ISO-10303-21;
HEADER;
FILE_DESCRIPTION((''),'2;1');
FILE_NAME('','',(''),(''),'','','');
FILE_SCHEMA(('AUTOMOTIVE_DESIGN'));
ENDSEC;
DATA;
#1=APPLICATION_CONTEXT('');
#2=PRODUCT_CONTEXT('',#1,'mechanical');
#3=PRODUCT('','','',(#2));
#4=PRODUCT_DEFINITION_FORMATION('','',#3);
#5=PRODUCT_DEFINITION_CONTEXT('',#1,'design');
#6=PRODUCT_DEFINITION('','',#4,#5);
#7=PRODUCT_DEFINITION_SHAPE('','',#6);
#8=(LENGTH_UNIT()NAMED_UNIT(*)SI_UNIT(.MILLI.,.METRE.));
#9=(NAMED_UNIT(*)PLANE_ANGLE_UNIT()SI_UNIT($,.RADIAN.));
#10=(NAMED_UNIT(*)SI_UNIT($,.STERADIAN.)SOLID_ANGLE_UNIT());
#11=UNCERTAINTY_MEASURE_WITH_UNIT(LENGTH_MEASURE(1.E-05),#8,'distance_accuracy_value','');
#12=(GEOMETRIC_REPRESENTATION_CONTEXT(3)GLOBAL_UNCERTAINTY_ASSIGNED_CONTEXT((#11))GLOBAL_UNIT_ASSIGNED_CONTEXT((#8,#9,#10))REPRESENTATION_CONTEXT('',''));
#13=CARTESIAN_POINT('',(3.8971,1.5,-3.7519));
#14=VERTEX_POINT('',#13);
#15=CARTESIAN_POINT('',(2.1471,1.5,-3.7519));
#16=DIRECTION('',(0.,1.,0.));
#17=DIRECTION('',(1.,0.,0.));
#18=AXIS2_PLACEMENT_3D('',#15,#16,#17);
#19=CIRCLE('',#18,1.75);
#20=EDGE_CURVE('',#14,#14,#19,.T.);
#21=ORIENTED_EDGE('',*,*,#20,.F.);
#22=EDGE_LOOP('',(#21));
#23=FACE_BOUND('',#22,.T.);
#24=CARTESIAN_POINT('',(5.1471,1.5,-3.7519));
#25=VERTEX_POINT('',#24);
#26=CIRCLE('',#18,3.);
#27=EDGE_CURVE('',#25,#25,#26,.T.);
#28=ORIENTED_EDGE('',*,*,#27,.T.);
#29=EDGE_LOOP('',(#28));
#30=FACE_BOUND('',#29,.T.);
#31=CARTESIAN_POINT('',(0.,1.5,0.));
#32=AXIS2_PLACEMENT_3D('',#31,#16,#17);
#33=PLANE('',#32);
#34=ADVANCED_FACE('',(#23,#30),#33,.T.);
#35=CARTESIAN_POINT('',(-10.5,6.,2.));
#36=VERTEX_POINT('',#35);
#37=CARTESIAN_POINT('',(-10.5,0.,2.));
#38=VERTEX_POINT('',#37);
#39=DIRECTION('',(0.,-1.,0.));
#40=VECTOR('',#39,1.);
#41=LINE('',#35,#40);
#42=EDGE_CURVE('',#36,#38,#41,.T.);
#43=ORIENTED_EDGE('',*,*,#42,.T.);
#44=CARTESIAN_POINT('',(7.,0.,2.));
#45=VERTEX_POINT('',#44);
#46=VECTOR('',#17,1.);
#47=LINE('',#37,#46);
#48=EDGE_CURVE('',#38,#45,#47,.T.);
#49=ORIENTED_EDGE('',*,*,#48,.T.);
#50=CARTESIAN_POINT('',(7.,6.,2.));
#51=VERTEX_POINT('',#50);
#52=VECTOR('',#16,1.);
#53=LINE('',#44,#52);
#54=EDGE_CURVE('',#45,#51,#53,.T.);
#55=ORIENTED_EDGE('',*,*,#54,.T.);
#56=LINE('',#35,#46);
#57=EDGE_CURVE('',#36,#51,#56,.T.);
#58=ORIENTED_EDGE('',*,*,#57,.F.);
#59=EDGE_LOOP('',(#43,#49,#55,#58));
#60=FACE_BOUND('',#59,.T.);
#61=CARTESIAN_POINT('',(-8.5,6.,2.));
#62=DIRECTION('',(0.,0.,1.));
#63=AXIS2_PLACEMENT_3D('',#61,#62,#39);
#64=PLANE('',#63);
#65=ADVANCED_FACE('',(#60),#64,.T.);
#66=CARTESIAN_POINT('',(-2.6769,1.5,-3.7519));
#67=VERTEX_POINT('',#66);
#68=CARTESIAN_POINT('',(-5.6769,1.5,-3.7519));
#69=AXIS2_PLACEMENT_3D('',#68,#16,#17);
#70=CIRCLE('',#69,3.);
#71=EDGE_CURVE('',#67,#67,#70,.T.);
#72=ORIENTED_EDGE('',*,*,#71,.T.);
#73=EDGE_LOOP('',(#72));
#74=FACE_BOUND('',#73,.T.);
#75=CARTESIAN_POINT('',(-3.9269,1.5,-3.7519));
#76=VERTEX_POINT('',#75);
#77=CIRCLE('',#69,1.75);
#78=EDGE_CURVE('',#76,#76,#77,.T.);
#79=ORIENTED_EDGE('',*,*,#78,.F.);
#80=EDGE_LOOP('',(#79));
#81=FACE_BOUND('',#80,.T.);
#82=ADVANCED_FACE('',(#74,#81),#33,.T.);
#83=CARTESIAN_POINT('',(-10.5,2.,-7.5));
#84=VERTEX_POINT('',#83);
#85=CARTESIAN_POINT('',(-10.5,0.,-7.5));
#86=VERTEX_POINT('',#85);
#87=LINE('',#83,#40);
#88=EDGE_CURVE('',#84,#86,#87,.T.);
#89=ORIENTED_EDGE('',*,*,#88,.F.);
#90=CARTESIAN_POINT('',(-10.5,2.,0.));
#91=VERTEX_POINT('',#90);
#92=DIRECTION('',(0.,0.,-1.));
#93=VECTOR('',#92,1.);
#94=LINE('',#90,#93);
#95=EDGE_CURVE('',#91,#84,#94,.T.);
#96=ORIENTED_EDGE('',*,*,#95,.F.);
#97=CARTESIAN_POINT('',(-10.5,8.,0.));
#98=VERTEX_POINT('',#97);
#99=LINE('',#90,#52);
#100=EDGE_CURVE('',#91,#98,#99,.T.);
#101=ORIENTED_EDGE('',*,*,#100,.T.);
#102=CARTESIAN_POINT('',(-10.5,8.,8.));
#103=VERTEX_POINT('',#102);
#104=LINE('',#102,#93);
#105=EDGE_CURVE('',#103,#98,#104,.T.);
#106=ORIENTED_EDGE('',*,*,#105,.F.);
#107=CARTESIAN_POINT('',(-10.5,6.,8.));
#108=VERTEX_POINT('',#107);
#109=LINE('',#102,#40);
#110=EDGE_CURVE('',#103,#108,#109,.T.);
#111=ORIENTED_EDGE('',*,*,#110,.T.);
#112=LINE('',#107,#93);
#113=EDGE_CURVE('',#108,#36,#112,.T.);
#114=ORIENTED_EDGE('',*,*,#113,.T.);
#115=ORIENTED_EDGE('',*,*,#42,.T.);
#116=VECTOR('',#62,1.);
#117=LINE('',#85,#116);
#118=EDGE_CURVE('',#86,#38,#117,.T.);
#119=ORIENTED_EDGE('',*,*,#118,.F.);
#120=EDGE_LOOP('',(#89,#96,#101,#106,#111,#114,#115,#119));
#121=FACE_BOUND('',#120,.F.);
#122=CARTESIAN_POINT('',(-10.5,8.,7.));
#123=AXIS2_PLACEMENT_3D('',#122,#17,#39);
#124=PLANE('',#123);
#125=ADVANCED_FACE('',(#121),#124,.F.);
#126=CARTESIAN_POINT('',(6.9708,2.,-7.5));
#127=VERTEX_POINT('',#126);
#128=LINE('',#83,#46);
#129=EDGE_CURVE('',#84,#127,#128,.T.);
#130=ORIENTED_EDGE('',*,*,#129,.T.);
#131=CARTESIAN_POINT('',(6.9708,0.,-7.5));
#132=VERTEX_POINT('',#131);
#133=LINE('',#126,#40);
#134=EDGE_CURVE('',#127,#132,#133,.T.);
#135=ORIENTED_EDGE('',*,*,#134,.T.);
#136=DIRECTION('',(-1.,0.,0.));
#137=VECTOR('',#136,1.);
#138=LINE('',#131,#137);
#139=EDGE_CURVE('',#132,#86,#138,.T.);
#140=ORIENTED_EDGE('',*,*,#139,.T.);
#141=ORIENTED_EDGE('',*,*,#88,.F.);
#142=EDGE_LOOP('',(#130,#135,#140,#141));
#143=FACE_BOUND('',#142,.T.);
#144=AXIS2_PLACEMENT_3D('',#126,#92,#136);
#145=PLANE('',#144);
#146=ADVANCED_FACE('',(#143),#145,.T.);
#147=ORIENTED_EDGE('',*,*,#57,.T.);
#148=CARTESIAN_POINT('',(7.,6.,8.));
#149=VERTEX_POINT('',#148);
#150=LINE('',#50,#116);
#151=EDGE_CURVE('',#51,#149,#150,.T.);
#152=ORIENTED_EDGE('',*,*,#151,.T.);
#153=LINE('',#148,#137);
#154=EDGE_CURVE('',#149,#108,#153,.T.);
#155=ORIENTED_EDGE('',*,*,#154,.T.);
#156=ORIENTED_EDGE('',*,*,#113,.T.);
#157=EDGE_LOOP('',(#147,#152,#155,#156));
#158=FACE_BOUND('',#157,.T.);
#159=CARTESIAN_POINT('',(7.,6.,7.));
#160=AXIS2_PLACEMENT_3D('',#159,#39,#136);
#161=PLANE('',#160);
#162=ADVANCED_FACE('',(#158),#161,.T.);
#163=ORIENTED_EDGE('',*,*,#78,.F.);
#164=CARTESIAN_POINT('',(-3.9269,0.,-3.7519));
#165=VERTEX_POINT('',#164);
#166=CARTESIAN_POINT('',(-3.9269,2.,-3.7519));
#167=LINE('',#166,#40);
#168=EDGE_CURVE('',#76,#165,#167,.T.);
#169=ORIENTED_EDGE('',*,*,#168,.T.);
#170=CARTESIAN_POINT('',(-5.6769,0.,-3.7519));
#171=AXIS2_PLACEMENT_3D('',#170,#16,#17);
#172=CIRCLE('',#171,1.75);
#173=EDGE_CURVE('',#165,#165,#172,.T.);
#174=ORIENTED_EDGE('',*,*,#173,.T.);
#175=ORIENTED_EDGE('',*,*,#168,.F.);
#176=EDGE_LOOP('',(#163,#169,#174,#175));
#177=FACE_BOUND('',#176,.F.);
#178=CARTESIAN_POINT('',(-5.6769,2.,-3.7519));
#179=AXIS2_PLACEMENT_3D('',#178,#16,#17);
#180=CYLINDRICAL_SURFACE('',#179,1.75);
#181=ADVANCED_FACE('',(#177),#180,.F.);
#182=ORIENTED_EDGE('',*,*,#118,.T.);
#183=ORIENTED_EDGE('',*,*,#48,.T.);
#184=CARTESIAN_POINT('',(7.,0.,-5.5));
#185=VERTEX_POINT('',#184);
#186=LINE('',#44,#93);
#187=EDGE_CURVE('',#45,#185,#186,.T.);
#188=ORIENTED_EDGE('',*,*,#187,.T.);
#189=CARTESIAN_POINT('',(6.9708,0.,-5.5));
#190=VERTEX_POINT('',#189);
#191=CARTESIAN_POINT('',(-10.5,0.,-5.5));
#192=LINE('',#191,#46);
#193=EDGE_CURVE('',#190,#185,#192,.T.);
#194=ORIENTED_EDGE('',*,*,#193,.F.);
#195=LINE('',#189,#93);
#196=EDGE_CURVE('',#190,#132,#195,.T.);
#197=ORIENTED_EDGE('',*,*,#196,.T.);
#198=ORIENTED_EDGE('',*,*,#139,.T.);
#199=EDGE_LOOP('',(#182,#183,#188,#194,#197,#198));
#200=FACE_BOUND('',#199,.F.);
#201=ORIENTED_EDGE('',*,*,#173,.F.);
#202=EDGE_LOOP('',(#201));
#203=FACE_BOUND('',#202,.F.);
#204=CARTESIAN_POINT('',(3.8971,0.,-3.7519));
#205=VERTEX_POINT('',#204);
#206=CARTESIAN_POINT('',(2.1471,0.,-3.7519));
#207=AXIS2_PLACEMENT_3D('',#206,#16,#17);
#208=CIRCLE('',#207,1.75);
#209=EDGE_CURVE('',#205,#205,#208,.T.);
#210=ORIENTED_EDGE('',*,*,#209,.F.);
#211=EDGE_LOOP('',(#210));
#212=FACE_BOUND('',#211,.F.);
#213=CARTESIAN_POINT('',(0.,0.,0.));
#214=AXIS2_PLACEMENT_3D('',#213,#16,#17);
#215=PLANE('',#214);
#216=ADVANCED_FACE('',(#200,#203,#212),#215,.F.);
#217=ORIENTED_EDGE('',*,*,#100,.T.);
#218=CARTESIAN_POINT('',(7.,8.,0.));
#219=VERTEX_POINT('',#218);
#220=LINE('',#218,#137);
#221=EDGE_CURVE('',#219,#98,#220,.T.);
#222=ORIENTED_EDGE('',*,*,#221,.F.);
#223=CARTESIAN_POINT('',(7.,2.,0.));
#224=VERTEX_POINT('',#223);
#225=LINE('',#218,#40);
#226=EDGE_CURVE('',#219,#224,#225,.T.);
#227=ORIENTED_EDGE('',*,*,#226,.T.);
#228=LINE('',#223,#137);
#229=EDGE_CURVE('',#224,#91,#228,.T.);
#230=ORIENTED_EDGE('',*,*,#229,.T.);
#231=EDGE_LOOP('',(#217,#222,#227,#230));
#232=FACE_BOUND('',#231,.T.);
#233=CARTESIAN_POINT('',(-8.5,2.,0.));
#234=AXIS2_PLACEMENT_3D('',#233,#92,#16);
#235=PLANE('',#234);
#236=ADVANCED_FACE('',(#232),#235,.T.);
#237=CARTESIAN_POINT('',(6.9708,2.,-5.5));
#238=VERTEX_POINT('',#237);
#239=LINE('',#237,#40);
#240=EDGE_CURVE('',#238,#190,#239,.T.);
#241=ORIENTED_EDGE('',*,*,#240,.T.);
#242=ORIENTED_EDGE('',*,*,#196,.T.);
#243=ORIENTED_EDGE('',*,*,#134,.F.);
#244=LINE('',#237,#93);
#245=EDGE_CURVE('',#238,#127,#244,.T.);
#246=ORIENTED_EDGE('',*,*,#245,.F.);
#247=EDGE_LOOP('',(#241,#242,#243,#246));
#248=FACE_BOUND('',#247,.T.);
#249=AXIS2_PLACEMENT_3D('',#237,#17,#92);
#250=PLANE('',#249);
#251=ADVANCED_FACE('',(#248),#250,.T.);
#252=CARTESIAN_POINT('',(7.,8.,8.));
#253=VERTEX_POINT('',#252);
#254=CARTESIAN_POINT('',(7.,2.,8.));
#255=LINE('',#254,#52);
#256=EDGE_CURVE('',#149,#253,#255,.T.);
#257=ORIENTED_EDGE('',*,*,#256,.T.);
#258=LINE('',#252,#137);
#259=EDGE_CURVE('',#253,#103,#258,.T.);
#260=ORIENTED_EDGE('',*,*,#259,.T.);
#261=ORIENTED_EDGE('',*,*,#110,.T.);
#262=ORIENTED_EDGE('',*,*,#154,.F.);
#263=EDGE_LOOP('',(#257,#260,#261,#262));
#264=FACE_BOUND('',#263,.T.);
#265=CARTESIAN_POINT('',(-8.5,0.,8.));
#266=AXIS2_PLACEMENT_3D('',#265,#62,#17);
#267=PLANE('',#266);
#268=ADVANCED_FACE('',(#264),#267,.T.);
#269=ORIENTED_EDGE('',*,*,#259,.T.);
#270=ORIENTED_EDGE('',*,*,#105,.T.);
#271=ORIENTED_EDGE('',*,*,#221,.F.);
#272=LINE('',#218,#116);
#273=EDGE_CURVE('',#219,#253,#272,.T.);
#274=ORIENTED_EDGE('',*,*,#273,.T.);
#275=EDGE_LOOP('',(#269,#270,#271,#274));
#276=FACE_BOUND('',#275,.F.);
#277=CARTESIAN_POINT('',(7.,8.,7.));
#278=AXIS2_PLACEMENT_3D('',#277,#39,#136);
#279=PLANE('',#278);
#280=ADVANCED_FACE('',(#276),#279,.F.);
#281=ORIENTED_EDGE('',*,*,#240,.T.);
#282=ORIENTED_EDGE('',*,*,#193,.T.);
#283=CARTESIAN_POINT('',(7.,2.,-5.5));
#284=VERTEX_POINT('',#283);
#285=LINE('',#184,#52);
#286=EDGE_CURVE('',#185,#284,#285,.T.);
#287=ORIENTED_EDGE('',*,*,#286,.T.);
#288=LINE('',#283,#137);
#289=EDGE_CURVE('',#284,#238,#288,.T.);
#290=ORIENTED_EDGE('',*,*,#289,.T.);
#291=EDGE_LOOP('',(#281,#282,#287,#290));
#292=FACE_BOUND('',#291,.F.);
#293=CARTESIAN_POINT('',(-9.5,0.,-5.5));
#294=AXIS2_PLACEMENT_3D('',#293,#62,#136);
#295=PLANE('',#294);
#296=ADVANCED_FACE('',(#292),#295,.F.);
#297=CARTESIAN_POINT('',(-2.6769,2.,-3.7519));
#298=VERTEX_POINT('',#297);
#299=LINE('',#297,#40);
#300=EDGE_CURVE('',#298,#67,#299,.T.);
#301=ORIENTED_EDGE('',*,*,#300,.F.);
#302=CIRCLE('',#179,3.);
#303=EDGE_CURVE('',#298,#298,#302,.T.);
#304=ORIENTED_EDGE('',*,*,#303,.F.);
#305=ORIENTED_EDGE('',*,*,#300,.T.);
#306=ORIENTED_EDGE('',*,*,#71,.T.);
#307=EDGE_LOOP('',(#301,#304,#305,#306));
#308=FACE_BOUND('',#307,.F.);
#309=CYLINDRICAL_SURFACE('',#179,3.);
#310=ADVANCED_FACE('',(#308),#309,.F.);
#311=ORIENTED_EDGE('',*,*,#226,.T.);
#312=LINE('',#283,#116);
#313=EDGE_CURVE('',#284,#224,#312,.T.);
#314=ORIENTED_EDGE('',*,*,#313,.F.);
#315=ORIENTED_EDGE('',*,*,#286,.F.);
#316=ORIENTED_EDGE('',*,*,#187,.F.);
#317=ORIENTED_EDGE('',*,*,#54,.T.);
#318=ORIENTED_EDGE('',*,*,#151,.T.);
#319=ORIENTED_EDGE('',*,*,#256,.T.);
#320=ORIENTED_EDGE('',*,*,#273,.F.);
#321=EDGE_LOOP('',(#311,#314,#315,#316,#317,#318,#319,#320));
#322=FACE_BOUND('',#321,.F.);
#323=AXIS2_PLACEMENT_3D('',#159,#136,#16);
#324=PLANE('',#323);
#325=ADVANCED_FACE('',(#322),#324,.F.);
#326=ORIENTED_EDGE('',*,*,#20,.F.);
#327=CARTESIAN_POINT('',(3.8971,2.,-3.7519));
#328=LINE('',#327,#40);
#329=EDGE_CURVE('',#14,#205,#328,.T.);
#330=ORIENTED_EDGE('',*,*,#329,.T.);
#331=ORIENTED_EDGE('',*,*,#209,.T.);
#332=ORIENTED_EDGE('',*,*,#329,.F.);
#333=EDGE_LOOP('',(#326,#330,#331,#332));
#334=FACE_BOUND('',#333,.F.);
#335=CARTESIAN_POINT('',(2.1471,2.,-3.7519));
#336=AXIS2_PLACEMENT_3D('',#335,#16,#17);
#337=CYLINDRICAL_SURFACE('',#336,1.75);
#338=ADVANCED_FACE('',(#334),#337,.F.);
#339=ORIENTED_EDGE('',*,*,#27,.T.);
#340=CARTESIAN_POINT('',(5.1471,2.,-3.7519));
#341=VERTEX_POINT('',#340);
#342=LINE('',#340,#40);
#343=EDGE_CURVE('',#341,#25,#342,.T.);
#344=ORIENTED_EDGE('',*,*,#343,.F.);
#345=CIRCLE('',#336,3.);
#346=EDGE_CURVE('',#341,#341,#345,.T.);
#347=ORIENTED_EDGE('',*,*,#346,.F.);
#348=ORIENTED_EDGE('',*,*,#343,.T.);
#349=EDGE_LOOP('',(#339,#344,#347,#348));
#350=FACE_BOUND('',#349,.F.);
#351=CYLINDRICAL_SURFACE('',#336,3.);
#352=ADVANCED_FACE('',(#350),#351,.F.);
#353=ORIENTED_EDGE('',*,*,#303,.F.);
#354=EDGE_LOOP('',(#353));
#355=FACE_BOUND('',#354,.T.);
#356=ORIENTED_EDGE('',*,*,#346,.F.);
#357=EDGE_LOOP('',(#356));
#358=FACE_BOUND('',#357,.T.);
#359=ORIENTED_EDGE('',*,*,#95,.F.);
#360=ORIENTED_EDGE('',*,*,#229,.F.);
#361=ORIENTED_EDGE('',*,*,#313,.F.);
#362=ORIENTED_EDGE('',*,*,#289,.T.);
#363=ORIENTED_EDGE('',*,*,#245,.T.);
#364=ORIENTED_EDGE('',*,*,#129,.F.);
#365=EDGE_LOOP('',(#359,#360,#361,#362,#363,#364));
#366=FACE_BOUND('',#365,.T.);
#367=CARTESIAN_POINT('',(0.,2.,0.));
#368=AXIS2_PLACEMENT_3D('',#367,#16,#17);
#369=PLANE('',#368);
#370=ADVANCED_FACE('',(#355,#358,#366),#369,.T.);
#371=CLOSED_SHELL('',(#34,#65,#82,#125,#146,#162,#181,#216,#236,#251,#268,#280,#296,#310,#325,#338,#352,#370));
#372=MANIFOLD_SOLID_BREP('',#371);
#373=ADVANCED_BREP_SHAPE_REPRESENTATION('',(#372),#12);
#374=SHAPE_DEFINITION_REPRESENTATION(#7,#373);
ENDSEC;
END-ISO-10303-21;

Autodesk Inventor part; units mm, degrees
ref_plane "YZ Plane" through (0, 0, 0) normal (1, 0, 0) x (0, 1, 0)
ref_plane "XZ Plane" through (0, 0, 0) normal (0, 1, 0) x (-1, 0, 0)
ref_plane "XY Plane" through (0, 0, 0) normal (0, 0, 1) x (1, 0, 0)
sketch "Boceto1" plane through (0, 0, 0) normal (0, 1, 0) x (-1, 0, 0)
  line L0 (0, 0) -> (3.5, 0)
  line L1 (3.5, 0) -> (5.5, 0)
  line L2 (0, 0) -> (-2, 0)
  line L3 (-2, -5.5) -> (5.5, -5.5)
  line L4 (-2, 0) -> (-5, 0)
  line L5 (-5, -5.5) -> (-2, -5.5)
  line L6 (5.5, 0) -> (8.5, 0)
  line L7 (8.5, -5.5) -> (5.5, -5.5)
  line L8 (8.5, -5.5) -> (9.5, -5.5)
  line L9 (9.5, 0) -> (8.5, 0)
  line L10 (-5, -5.5) -> (-6, -5.5)
  line L11 (-6, 0) -> (-5, 0)
  line L12 (9.5, -5.5) -> (10.5, -5.5)
  line L13 (10.5, -5.5) -> (10.5, 0)
  line L14 (10.5, 0) -> (9.5, 0)
  line L15 (-6, -5.5) -> (-7, -5.5)
  line L16 (-7, -5.5) -> (-7, 0)
  line L17 (-7, 0) -> (-6, 0)
  dimension "d30" = 1
  dimension "d37" = 1
  dimension "d38" = 1
extrude "Extrusión3" add sketch "Boceto1" along normal blind 2
sketch "Boceto4" plane through (-8.5, 0, 0) normal (0, 0, 1) x (1, 0, 0)
  line L0 (15.5, 2) -> (-2, 2) projected
  line L1 (0, 2) -> (13.5, 2)
  line L2 (13.5, 2) -> (13.5, 0)
  line L3 (13.5, 0) -> (0, 0)
  line L4 (0, 0) -> (0, 2)
  point P0 (8.5, 0)
  point P1 (14.5, 2)
  point P2 (-1, 2)
extrude "Extrusión4" add sketch "Boceto4" along normal blind 2
sketch "Boceto5" plane through (0, 2, 0) normal (0, 1, 0) x (1, 0, 0)
  line L0 (-8.5, -2) -> (5, -2) projected
  line L1 (5, -2) -> (-8.5, -2)
  line L2 (-8.5, -2) -> (-8.5, 0)
  line L3 (-8.5, 0) -> (5, 0)
  line L4 (5, 0) -> (5, -2)
  point P0 (0, 0)
extrude "Extrusión5" add sketch "Boceto5" along normal blind 6
sketch "Boceto6" plane through (-8.5, 0, 2) normal (0, 0, 1) x (1, 0, 0)
  line L0 (0, 0) -> (13.5, 0) projected
  line L1 (13.5, 0) -> (13.5, 6)
  line L2 (13.5, 6) -> (0, 6)
  line L3 (0, 0) -> (0, 6)
  line L4 (0, 0) -> (13.5, 0)
  line L5 (0, 0) -> (0, 8) projected
  line L6 (0, 8) -> (13.5, 8)
  line L7 (13.5, 8) -> (13.5, 6)
  line L8 (13.5, 6) -> (0, 6)
  line L9 (0, 6) -> (0, 8)
  point P0 (8.5, 0)
extrude "Extrusión6" add sketch "Boceto6" along normal blind 5 contours L5 L6 L7 L2
sketch "Boceto8" plane through (5, 0, -5.5) normal (0, 0, -1) x (-1, 0, 0)
  line L0 (13.5, 0) -> (13.5, 6) projected
  line L1 (13.5, 2) -> (0, 2) projected
  line L2 (13.5, 0) -> (0, 0)
  line L3 (0, 0) -> (0, 2)
  line L4 (0, 2) -> (13.5, 2)
  line L5 (13.5, 2) -> (13.5, 0)
  point P0 (5, 0)
extrude "Extrusión8" add sketch "Boceto8" along normal blind 2
sketch "Boceto11" plane through (5, 0, 2) normal (1, 0, 0) x (0, 0, -1)
  line L0 (-5, 8) -> (2, 8)
  line L1 (2, 8) -> (2, 6)
  line L2 (-5, 6) -> (-5, 8)
  line L3 (0, 0) -> (0, 6) projected
  line L4 (2, 0) -> (2, 2) projected
  line L5 (2, 6) -> (2, 0)
  line L6 (2, 0) -> (0, 0)
  line L7 (0, 0) -> (0, 6)
  line L8 (0, 6) -> (-5, 6) projected
  line L9 (0, 6) -> (-5, 6)
  line L10 (2, 0) -> (0, 0) projected
  line L11 (0, 0) -> (2, 0)
  line L12 (2, 2) -> (2, 8) projected
  line L13 (2, 0) -> (2, 8)
  line L14 (2, 8) -> (-5, 8) projected
  line L15 (2, 8) -> (-5, 8)
  line L16 (-5, 8) -> (-5, 6)
  line L17 (0, 6) -> (0, 0)
extrude "Extrusión11" add sketch "Boceto11" along normal blind 2
sketch "Boceto12" plane through (-8.5, 0, 0) normal (-1, 0, 0) x (0, 0, 1)
  line L0 (0, 8) -> (7, 8) projected
  line L1 (7, 8) -> (7, 6)
  line L2 (2, 6) -> (7, 6) projected
  line L3 (7, 6) -> (2, 6)
  line L4 (2, 6) -> (2, 0)
  line L5 (0, 0) -> (2, 0) projected
  line L6 (2, 0) -> (0, 0)
  line L7 (0, 2) -> (0, 8) projected
  line L8 (0, 0) -> (0, 8)
  line L9 (0, 8) -> (7, 8)
extrude "Extrusión12" add sketch "Boceto12" along normal blind 2
sketch "Boceto13" plane through (0, 2, 0) normal (0, 1, 0) x (1, 0, 0)
  line L0 (-8.5, 5.5) -> (-10.5, 5.5) projected
  line L1 (-10.5, 5.5) -> (6.9708, 5.5)
  line L2 (6.9708, 5.5) -> (6.9708, 7.5)
  line L3 (6.9708, 7.5) -> (-10.5, 7.5)
  line L4 (-10.5, 7.5) -> (-10.5, 5.5)
  point P0 (0, 0)
extrude "Extrusión13" add sketch "Boceto13" against normal blind 2
sketch "Boceto14" plane through (0, 2, 0) normal (0, 1, 0) x (1, 0, 0)
  circle A0 centre (2.1471, 3.7519) radius 1.75
  circle A1 centre (-5.6769, 3.7519) radius 1.75
  line L0 (1.1471, 3.7519) -> (2.1471, 3.7519)
  line L1 (-4.6769, 3.7519) -> (-5.6769, 3.7519)
  point P0 (0, 0)
  dimension "d43" = 3.5
  dimension "d44" = 3.5
  dimension "d45" = 1
  dimension "d46" = 1
extrude "Extrusión14" cut sketch "Boceto14" against normal blind 2
sketch "Boceto15" plane through (0, 2, 0) normal (0, 1, 0) x (1, 0, 0)
  circle A0 centre (2.1471, 3.7519) radius 1.75 projected
  circle A1 centre (2.1471, 3.7519) radius 3
  circle A2 centre (-5.6769, 3.7519) radius 1.75 projected
  circle A3 centre (-5.6769, 3.7519) radius 3
  point P0 (0, 0)
  dimension "d49" = 6
  dimension "d50" = 6
extrude "Extrusión15" cut sketch "Boceto15" against normal blind 0.5
sketch "Boceto16" plane through (-8.5, 0, 7) normal (0, 0, 1) x (1, 0, 0)
  line L0 (15.5, 2) -> (15.5, 8) projected
  line L1 (15.5, 6) -> (-2, 6) projected
  line L2 (15.5, 8) -> (-2, 8)
  line L3 (-2, 8) -> (-2, 6)
  line L4 (-2, 6) -> (15.5, 6)
  line L5 (15.5, 6) -> (15.5, 8)
  point P0 (8.5, 0)
extrude "Extrusión16" add sketch "Boceto16" along normal blind 1
properties part number "Pantalla - encaix slider"
